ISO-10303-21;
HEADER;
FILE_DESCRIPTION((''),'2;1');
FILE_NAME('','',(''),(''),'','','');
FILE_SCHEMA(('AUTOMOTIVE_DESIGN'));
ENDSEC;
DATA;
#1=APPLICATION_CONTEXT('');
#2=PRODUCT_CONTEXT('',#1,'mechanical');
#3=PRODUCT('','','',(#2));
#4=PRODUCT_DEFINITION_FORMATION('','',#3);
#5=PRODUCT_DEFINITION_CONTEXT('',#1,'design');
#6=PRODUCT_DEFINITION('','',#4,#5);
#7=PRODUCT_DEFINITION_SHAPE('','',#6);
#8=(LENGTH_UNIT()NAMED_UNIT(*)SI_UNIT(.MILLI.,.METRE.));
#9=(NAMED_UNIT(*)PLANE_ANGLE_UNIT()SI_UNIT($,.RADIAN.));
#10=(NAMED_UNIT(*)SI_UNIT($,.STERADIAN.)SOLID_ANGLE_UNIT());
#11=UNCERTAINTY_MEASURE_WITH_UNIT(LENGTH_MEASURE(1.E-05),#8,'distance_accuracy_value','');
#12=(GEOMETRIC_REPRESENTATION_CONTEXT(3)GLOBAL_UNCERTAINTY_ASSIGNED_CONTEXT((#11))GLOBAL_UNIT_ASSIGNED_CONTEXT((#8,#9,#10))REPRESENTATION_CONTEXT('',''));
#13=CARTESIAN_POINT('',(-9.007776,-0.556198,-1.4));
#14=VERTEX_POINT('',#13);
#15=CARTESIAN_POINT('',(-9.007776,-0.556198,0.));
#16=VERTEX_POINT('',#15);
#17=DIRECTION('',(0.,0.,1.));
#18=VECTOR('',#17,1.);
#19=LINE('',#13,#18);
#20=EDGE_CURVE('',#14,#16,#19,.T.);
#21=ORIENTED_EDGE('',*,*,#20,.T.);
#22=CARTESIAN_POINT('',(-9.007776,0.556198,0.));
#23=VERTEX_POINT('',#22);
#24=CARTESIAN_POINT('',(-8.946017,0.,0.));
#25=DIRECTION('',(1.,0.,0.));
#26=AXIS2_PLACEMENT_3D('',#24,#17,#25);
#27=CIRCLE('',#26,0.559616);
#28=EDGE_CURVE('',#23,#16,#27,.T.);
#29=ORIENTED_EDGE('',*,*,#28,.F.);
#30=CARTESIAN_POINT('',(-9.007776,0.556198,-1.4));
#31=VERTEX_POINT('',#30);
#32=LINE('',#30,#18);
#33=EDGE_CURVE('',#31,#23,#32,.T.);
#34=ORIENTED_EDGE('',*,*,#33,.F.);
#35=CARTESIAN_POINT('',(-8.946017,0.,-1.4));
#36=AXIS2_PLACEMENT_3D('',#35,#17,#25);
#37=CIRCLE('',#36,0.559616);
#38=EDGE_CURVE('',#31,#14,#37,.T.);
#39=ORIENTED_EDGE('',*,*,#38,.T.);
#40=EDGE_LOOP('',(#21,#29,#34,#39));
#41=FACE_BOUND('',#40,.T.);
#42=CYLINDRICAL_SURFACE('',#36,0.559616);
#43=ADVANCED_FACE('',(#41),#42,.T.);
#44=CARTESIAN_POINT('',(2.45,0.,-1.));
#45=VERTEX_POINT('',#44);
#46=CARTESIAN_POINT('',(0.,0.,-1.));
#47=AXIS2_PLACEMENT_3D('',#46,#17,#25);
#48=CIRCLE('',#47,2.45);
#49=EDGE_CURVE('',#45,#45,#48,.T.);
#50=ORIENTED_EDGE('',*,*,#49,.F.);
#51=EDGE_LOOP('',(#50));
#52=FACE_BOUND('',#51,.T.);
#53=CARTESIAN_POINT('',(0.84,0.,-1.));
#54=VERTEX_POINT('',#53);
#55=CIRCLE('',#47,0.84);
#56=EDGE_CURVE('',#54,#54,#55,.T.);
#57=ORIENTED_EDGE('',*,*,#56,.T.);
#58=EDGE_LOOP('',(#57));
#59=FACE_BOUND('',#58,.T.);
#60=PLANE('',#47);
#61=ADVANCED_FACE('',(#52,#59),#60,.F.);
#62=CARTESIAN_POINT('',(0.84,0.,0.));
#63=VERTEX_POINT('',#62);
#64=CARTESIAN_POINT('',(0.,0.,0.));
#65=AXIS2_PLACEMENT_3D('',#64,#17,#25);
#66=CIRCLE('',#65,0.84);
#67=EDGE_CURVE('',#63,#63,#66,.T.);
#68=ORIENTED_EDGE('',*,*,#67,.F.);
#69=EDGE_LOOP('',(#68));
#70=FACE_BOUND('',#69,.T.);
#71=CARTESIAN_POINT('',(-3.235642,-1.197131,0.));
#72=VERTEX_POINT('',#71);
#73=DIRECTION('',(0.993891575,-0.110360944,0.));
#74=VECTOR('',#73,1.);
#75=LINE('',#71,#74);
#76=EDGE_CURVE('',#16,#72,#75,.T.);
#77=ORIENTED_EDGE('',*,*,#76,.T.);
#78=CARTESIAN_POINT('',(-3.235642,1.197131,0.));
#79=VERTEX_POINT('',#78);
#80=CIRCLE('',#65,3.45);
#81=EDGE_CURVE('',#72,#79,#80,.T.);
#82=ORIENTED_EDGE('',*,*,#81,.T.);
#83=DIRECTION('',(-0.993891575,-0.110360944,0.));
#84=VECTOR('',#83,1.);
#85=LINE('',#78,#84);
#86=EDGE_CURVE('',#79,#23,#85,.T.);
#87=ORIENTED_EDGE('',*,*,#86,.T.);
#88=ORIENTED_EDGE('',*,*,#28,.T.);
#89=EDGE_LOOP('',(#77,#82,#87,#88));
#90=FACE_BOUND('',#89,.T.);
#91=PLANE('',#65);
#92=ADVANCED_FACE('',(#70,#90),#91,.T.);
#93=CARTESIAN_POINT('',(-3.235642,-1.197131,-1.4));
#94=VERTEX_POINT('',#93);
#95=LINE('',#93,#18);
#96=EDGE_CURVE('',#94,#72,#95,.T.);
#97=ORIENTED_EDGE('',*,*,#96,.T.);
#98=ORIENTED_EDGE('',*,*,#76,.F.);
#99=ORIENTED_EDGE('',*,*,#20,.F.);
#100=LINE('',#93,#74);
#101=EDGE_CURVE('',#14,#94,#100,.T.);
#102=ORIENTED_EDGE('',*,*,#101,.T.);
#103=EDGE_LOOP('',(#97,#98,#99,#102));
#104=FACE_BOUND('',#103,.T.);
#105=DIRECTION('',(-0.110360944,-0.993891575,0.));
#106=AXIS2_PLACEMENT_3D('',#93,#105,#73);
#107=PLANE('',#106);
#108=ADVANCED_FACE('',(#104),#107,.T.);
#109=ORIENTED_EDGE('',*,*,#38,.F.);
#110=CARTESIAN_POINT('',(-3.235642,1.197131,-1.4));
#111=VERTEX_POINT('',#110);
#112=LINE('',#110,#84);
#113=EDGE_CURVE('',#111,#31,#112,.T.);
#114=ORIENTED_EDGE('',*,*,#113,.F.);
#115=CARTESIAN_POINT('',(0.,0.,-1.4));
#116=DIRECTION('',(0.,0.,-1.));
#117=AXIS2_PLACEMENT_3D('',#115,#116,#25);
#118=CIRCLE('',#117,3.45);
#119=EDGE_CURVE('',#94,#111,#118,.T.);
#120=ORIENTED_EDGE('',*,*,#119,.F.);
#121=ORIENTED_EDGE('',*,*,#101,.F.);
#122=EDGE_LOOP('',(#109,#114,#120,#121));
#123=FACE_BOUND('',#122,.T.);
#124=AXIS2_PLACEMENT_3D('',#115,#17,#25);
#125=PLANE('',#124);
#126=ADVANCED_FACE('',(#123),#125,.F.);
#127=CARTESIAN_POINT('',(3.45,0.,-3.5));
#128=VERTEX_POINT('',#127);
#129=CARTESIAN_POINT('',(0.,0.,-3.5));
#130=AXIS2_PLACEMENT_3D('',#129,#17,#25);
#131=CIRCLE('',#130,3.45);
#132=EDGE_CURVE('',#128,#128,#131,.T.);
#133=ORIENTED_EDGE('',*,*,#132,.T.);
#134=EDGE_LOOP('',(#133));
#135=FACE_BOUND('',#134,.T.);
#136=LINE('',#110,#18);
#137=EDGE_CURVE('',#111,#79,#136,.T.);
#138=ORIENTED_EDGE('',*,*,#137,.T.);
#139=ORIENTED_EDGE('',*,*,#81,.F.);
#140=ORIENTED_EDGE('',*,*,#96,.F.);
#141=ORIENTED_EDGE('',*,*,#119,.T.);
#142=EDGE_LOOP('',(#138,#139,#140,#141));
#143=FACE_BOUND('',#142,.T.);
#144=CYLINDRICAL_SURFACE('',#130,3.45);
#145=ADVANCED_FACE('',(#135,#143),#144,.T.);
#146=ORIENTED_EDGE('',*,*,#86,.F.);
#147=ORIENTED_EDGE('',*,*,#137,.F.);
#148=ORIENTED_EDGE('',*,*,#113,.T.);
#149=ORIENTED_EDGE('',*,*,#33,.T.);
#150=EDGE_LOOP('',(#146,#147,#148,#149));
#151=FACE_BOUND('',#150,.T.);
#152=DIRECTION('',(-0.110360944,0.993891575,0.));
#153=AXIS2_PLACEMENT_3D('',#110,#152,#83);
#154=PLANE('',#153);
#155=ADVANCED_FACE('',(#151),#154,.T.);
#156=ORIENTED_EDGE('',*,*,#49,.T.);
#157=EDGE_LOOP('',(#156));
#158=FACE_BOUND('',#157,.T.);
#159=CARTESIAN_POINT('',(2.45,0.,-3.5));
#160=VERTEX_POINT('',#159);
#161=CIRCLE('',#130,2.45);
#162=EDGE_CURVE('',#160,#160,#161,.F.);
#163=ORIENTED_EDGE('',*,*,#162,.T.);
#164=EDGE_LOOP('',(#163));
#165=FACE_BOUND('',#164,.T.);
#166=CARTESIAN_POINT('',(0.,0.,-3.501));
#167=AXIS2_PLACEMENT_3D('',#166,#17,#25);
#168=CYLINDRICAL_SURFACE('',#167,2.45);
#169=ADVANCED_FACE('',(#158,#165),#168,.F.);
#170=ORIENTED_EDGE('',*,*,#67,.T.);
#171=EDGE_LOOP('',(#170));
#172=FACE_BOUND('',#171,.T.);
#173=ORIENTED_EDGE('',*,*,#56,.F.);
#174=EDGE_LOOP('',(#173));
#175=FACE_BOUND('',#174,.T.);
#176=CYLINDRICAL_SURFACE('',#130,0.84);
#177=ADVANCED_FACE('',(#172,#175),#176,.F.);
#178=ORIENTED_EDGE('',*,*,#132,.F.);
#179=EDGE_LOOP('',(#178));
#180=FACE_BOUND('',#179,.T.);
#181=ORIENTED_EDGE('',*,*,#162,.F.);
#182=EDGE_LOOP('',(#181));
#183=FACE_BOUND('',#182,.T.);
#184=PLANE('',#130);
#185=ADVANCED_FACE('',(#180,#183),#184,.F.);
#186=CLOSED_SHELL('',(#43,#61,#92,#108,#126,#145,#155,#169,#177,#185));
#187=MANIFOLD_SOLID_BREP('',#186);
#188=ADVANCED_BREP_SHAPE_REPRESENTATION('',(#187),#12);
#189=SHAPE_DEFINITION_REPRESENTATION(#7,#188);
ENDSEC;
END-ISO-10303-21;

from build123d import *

# Parameters (mm, degrees)
SKETCH7_R               = 3.45
MAIN_BODY_DEPTH         = 3.5
MATE_HOLE_REACH         = 9.005
MATE_START              = -1
SKETCH9_R               = 2.45
CUT_EXTRUDE2_DEPTH      = 7.004581584
CUT_EXTRUDE2_DEPTH_BACK = 7.004581584
SKETCH10_R              = 0.84
BOSS_EXTRUDE2_DEPTH     = 1.4


with BuildPart() as part:
    # Sketch7 → main body (new body)
    with BuildSketch(Plane.XY):
        Circle(SKETCH7_R)
    extrude(amount=-MAIN_BODY_DEPTH)

    # Sketch9 → mate hole (cut, up to next)
    with BuildSketch(Plane.XY.offset(MATE_START), mode=Mode.PRIVATE) as mate_hole_sk1:
        Circle(SKETCH9_R)
    mate_hole_tool1 = extrude(mate_hole_sk1.sketch, amount=-MATE_HOLE_REACH, mode=Mode.PRIVATE) & part.part
    add(mate_hole_tool1.solids().sort_by_distance((0, 0, -1))[0], mode=Mode.SUBTRACT)

    # Sketch10 → Cut-Extrude2 (cut, two sides: drawn at the far end of the back side and taken through both)
    with BuildSketch(Plane.XY.offset(-CUT_EXTRUDE2_DEPTH_BACK)):
        Circle(SKETCH10_R)
    extrude(amount=CUT_EXTRUDE2_DEPTH + CUT_EXTRUDE2_DEPTH_BACK, mode=Mode.SUBTRACT)

    # Sketch11 → Boss-Extrude2 (add)
    with BuildSketch(Plane.XY):
        with BuildLine():
            Line((-3.235641734, 1.197130973), (-9.007776393, 0.556197651))
            ThreePointArc((-9.007776393, 0.556197651), (-9.505632664, 0), (-9.007776393, -0.556197651))
            Line((-9.007776393, -0.556197651), (-3.235641734, -1.197130973))
            ThreePointArc((-3.235641734, -1.197130973), (-3.45, 0), (-3.235641734, 1.197130973))
        make_face()
    extrude(amount=-BOSS_EXTRUDE2_DEPTH)


solid = part.part
